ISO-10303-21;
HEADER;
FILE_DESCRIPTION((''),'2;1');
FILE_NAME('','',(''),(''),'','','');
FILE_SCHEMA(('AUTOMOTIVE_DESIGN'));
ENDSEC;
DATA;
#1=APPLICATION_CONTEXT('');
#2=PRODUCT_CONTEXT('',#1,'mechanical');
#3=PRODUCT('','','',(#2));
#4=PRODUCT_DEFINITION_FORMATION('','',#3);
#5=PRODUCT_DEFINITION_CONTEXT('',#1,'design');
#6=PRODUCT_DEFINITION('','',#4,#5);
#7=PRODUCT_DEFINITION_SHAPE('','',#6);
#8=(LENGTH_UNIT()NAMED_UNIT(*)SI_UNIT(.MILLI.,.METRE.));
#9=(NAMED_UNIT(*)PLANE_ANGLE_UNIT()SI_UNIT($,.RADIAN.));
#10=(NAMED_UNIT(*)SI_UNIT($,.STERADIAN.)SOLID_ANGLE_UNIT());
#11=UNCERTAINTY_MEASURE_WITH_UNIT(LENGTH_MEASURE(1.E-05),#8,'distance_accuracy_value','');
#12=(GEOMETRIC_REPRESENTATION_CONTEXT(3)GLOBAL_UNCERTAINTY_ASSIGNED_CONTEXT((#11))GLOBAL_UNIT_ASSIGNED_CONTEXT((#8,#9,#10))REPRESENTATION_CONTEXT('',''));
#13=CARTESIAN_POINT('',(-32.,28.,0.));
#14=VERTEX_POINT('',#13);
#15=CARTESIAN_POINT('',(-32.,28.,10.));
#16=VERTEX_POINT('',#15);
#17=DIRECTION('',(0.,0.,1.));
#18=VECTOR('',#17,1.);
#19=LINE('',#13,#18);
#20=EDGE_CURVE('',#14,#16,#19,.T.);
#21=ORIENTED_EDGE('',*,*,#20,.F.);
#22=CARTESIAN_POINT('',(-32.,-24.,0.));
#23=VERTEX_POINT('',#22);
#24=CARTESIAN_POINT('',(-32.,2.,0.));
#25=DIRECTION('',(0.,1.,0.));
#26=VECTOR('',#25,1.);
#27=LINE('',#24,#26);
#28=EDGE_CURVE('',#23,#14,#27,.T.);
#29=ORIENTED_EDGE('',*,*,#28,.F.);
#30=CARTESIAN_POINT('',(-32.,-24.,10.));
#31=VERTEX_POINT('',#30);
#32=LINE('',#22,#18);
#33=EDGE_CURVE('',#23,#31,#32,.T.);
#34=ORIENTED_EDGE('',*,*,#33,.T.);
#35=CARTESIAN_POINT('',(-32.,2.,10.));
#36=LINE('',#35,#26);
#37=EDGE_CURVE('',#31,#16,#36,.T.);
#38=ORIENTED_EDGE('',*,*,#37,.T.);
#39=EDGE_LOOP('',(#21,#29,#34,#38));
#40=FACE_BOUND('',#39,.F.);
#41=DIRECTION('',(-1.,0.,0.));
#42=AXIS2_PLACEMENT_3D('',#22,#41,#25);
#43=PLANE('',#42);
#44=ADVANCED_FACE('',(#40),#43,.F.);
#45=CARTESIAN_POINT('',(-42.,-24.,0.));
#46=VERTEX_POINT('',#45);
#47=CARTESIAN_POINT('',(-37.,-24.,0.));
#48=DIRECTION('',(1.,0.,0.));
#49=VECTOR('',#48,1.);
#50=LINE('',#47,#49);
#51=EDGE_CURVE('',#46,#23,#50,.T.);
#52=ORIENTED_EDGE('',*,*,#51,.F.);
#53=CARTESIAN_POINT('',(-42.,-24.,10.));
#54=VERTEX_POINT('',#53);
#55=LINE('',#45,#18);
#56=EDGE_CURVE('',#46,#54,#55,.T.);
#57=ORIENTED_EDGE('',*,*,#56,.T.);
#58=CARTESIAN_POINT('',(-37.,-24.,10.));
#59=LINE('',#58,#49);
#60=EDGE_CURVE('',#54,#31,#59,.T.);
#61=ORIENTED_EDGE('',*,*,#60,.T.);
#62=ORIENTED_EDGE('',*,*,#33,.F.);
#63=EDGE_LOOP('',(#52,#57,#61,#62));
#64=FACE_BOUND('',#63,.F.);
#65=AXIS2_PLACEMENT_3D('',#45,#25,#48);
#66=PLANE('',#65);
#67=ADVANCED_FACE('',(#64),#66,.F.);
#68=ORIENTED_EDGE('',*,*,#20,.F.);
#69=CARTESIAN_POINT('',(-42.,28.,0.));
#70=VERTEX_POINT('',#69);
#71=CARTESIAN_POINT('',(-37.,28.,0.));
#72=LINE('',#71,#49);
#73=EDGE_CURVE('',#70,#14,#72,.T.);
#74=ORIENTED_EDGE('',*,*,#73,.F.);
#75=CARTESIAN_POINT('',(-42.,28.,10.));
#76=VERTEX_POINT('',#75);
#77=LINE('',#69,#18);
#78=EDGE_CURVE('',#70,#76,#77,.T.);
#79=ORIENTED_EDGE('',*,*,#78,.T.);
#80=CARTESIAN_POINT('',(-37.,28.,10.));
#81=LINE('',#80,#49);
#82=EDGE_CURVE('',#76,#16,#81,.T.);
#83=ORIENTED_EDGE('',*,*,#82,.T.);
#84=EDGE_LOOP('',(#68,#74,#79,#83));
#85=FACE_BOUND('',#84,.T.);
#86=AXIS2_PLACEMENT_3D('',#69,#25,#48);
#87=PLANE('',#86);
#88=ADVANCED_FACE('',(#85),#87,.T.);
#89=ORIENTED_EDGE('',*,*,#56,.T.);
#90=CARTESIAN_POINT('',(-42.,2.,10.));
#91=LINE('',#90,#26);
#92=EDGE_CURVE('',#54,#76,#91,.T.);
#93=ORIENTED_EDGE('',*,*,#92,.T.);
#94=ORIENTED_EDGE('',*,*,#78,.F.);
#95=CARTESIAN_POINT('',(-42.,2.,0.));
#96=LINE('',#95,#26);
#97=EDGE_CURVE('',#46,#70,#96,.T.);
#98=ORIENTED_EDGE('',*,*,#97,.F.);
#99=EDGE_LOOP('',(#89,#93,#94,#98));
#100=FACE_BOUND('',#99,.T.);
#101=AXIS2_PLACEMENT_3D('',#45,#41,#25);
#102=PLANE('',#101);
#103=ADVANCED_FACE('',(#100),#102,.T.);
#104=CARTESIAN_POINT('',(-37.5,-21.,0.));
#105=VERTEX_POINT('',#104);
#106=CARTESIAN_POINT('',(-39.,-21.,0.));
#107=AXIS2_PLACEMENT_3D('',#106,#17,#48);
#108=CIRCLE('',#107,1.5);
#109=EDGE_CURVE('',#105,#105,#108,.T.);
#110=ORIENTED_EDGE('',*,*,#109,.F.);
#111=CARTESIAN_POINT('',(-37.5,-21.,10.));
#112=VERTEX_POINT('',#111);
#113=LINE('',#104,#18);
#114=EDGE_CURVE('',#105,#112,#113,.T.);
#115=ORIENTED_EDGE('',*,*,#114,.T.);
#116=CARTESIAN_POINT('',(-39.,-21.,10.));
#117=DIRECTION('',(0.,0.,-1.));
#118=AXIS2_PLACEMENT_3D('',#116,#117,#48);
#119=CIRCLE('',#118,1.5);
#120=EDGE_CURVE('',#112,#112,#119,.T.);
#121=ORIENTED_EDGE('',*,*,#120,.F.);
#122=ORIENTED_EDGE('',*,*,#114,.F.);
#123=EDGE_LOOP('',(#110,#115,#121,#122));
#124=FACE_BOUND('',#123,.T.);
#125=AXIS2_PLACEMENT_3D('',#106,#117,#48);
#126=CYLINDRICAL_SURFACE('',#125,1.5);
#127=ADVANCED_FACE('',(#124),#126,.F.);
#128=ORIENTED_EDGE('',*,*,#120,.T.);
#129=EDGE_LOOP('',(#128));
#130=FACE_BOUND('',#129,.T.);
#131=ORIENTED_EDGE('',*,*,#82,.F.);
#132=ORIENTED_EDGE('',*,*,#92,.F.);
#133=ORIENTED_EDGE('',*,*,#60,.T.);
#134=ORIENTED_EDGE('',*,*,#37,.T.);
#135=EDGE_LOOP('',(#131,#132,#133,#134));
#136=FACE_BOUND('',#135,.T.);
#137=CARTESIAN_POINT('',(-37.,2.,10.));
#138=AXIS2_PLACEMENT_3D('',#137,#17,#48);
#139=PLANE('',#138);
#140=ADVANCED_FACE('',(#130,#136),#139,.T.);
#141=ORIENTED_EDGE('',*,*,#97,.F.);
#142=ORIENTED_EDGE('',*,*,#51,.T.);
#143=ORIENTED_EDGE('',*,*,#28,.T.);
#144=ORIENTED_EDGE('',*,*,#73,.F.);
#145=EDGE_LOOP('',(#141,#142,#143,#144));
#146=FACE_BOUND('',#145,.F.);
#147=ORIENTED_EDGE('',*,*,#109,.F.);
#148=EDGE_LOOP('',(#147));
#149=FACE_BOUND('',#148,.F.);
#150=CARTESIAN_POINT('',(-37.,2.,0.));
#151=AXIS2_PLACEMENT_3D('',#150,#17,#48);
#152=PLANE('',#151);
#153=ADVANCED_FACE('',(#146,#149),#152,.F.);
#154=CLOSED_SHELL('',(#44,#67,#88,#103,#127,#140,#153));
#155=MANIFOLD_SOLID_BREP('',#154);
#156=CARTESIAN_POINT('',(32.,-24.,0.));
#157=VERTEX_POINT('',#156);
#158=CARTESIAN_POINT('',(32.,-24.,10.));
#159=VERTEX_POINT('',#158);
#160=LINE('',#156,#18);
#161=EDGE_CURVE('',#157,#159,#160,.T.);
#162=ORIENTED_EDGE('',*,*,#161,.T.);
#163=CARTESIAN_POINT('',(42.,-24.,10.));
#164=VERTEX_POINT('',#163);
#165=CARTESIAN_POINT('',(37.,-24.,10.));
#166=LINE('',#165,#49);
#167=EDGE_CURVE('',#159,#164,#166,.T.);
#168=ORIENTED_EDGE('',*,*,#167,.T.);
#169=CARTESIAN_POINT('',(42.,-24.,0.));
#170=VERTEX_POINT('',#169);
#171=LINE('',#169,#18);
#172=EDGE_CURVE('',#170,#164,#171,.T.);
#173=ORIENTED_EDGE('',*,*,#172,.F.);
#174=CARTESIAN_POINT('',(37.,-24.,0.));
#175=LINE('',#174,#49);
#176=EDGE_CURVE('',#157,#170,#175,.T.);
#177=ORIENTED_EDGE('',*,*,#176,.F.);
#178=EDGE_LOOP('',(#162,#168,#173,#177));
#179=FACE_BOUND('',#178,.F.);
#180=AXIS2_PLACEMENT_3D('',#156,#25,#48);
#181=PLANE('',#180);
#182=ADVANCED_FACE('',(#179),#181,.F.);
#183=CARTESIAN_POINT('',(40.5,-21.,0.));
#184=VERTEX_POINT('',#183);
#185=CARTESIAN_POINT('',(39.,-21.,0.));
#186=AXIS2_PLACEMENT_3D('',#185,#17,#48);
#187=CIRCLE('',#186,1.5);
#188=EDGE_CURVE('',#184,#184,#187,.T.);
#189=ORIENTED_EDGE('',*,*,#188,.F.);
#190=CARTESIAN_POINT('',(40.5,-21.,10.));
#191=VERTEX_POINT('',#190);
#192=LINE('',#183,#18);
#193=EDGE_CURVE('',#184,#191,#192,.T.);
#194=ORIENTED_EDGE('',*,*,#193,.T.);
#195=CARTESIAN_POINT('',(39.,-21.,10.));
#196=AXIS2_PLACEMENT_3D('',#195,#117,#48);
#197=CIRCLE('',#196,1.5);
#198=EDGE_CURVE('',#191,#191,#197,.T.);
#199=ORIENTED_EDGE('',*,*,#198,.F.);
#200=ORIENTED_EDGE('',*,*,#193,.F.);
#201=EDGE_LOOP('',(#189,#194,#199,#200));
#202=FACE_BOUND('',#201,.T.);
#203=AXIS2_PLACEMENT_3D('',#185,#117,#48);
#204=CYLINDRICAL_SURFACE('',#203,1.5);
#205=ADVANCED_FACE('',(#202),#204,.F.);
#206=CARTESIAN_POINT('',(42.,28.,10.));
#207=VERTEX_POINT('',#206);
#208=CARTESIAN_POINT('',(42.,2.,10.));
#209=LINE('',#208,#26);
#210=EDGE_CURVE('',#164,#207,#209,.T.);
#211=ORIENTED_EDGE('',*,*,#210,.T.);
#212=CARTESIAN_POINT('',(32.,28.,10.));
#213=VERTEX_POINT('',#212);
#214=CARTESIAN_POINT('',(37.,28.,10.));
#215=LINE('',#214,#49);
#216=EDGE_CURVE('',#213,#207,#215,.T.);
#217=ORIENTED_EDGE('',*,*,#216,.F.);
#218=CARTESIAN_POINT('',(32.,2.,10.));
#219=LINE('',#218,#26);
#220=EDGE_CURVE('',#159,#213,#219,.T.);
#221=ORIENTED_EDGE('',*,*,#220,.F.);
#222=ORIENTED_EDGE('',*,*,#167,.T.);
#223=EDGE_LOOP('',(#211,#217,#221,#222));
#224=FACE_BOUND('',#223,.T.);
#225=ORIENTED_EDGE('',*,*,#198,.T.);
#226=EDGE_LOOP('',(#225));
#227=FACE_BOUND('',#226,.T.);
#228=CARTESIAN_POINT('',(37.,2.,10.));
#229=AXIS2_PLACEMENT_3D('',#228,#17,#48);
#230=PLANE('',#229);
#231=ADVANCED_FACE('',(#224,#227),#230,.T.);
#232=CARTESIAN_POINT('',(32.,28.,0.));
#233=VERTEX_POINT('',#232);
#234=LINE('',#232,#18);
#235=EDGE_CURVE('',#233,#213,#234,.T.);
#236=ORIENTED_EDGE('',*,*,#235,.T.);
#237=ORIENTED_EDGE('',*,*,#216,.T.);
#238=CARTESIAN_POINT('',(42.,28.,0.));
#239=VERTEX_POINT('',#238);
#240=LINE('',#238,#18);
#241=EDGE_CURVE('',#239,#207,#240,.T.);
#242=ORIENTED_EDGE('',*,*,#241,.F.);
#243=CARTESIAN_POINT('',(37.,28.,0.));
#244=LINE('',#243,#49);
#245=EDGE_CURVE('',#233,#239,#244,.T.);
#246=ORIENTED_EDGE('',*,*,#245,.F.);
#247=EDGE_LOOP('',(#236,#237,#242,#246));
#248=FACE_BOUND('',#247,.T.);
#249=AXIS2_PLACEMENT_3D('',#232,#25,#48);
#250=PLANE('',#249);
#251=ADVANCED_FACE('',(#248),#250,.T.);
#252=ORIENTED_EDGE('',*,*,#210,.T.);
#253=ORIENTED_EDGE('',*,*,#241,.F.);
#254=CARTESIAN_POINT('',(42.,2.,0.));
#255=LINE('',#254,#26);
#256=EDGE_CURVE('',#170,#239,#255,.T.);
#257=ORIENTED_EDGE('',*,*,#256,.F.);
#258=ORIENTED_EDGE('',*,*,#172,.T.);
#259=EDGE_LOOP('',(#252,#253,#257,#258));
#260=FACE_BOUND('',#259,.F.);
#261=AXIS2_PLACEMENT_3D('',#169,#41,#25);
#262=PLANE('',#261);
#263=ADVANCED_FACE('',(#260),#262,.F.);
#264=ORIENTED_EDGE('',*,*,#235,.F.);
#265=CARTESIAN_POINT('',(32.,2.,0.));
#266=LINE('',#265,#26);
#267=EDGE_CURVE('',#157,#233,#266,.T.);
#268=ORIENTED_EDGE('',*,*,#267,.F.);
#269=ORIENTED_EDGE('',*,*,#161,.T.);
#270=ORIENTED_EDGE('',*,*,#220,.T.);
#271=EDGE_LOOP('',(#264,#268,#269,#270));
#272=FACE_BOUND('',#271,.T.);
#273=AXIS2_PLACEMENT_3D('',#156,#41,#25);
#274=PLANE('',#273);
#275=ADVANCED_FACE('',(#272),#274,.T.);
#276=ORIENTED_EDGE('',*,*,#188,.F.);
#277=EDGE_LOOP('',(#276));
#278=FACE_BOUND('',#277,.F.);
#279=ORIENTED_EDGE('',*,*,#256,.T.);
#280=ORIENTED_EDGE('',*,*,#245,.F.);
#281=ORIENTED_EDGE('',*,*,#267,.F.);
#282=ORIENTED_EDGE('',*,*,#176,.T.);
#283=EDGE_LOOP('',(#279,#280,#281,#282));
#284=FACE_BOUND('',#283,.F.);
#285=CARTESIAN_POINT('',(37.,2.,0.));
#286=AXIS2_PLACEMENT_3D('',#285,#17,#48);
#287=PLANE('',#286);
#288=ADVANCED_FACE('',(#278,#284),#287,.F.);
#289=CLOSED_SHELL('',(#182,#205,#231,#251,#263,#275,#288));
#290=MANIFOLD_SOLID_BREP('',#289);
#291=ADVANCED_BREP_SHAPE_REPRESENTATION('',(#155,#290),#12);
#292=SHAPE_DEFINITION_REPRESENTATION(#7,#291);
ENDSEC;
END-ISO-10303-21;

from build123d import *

# Parameters (mm, degrees)
CYLINDER533_R     = 1.5
CYLINDER533_DEPTH = 100
CYLINDER532_R     = 1.5
CYLINDER532_DEPTH = 100
BOX137_W          = 10
BOX137_H          = 52
BOX137_DEPTH      = 10
BOX136_W          = 10
BOX136_H          = 52
BOX136_DEPTH      = 10


with BuildPart() as v_lec533:
    # Cylinder533 → Cylinder533 (new body)
    with BuildSketch(Plane(origin=(39, -21, 0), x_dir=(1, 0, 0), z_dir=(0, 0, 1))):
        Circle(CYLINDER533_R)
    extrude(amount=CYLINDER533_DEPTH)


with BuildPart() as compound321:
    # Cylinder532 → Cylinder532 (new body)
    with BuildSketch(Plane(origin=(-39, -21, 0), x_dir=(1, 0, 0), z_dir=(0, 0, 1))):
        Circle(CYLINDER532_R)
    extrude(amount=CYLINDER532_DEPTH)

    # Compound321: union Válec533
    add(v_lec533.part)


with BuildPart() as krychle137:
    # Box137 → Box137 (new body)
    with BuildSketch(Plane(origin=(-42, -24, 0), x_dir=(1, 0, 0), z_dir=(0, 0, 1))):
        with Locations((5, 26)):
            Rectangle(BOX137_W, BOX137_H)
    extrude(amount=BOX137_DEPTH)


with BuildPart() as cut:
    # Box136 → Box136 (new body)
    with BuildSketch(Plane(origin=(32, -24, 0), x_dir=(1, 0, 0), z_dir=(0, 0, 1))):
        with Locations((5, 26)):
            Rectangle(BOX136_W, BOX136_H)
    extrude(amount=BOX136_DEPTH)

    # Compound: union Krychle137
    add(krychle137.part)

    # Cut: cut Compound321
    add(compound321.part, mode=Mode.SUBTRACT)


solid = cut.part
